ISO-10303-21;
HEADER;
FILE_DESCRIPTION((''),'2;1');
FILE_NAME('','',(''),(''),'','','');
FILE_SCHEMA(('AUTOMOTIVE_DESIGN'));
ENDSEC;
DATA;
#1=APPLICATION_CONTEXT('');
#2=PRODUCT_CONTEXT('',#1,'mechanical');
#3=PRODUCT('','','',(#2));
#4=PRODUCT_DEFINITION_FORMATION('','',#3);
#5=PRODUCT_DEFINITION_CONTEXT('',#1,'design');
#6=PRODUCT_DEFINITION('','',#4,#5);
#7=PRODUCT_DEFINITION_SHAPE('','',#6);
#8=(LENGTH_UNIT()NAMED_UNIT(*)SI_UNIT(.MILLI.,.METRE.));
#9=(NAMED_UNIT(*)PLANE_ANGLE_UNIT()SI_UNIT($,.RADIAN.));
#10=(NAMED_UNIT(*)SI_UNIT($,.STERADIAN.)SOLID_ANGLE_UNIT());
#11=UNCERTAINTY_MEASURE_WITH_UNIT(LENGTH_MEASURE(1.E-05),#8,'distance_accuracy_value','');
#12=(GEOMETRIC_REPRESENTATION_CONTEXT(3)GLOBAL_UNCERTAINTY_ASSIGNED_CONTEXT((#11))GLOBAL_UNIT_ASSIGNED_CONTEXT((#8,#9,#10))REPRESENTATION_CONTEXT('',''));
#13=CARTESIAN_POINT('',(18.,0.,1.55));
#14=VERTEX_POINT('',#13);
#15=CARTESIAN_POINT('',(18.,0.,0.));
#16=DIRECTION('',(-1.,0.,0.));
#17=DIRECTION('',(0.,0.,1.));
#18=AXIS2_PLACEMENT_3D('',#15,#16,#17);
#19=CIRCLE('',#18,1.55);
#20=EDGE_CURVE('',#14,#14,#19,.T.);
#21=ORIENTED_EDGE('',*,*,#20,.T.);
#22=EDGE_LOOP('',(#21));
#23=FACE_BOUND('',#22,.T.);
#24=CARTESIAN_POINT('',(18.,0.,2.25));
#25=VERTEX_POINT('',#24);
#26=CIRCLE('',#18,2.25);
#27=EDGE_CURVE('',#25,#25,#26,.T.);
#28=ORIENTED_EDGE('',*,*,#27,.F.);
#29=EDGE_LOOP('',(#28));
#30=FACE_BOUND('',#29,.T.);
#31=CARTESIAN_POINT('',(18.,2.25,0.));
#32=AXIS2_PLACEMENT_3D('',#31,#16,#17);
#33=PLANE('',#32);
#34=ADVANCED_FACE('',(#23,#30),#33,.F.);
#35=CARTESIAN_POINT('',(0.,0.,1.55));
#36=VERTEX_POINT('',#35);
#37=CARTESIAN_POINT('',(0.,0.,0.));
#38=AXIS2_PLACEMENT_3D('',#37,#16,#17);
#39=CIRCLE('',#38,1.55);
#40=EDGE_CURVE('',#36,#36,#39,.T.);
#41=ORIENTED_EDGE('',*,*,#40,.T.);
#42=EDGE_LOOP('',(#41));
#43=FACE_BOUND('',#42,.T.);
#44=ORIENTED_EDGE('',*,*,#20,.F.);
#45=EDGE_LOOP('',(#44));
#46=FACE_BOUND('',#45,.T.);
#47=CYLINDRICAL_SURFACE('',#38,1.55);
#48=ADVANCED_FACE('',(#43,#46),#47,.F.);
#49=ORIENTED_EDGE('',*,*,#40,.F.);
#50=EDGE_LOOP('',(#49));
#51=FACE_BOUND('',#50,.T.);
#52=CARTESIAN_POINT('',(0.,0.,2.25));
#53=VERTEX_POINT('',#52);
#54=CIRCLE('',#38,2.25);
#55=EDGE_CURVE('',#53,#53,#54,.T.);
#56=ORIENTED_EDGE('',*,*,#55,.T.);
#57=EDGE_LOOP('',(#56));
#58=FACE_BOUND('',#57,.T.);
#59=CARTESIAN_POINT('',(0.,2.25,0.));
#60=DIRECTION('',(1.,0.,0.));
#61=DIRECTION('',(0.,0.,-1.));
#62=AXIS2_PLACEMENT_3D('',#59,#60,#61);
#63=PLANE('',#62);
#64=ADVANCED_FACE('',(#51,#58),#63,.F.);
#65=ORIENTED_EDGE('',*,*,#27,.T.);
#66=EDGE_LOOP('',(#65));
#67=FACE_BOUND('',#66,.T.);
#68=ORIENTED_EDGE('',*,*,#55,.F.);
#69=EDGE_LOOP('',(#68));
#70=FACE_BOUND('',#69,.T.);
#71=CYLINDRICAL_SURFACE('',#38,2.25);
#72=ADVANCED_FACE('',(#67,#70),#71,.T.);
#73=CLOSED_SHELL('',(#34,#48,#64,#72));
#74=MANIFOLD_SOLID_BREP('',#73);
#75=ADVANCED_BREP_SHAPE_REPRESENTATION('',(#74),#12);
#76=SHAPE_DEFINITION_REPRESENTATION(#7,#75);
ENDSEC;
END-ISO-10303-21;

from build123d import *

# Parameters (mm, degrees)
SKETCH1_W = 18
SKETCH1_H = 0.7


with BuildPart() as part:
    # Sketch1 → Revolve1 (revolve)
    with BuildSketch(Plane.XY, mode=Mode.PRIVATE) as revolve1_sk:
        with Locations((9, 1.9)):
            Rectangle(SKETCH1_W, SKETCH1_H)
    revolve(revolve1_sk.sketch.rotate(Axis((0, 0, 0), (1, 0, 0)), 90), axis=Axis((0, 0, 0), (1, 0, 0)))


solid = part.part
